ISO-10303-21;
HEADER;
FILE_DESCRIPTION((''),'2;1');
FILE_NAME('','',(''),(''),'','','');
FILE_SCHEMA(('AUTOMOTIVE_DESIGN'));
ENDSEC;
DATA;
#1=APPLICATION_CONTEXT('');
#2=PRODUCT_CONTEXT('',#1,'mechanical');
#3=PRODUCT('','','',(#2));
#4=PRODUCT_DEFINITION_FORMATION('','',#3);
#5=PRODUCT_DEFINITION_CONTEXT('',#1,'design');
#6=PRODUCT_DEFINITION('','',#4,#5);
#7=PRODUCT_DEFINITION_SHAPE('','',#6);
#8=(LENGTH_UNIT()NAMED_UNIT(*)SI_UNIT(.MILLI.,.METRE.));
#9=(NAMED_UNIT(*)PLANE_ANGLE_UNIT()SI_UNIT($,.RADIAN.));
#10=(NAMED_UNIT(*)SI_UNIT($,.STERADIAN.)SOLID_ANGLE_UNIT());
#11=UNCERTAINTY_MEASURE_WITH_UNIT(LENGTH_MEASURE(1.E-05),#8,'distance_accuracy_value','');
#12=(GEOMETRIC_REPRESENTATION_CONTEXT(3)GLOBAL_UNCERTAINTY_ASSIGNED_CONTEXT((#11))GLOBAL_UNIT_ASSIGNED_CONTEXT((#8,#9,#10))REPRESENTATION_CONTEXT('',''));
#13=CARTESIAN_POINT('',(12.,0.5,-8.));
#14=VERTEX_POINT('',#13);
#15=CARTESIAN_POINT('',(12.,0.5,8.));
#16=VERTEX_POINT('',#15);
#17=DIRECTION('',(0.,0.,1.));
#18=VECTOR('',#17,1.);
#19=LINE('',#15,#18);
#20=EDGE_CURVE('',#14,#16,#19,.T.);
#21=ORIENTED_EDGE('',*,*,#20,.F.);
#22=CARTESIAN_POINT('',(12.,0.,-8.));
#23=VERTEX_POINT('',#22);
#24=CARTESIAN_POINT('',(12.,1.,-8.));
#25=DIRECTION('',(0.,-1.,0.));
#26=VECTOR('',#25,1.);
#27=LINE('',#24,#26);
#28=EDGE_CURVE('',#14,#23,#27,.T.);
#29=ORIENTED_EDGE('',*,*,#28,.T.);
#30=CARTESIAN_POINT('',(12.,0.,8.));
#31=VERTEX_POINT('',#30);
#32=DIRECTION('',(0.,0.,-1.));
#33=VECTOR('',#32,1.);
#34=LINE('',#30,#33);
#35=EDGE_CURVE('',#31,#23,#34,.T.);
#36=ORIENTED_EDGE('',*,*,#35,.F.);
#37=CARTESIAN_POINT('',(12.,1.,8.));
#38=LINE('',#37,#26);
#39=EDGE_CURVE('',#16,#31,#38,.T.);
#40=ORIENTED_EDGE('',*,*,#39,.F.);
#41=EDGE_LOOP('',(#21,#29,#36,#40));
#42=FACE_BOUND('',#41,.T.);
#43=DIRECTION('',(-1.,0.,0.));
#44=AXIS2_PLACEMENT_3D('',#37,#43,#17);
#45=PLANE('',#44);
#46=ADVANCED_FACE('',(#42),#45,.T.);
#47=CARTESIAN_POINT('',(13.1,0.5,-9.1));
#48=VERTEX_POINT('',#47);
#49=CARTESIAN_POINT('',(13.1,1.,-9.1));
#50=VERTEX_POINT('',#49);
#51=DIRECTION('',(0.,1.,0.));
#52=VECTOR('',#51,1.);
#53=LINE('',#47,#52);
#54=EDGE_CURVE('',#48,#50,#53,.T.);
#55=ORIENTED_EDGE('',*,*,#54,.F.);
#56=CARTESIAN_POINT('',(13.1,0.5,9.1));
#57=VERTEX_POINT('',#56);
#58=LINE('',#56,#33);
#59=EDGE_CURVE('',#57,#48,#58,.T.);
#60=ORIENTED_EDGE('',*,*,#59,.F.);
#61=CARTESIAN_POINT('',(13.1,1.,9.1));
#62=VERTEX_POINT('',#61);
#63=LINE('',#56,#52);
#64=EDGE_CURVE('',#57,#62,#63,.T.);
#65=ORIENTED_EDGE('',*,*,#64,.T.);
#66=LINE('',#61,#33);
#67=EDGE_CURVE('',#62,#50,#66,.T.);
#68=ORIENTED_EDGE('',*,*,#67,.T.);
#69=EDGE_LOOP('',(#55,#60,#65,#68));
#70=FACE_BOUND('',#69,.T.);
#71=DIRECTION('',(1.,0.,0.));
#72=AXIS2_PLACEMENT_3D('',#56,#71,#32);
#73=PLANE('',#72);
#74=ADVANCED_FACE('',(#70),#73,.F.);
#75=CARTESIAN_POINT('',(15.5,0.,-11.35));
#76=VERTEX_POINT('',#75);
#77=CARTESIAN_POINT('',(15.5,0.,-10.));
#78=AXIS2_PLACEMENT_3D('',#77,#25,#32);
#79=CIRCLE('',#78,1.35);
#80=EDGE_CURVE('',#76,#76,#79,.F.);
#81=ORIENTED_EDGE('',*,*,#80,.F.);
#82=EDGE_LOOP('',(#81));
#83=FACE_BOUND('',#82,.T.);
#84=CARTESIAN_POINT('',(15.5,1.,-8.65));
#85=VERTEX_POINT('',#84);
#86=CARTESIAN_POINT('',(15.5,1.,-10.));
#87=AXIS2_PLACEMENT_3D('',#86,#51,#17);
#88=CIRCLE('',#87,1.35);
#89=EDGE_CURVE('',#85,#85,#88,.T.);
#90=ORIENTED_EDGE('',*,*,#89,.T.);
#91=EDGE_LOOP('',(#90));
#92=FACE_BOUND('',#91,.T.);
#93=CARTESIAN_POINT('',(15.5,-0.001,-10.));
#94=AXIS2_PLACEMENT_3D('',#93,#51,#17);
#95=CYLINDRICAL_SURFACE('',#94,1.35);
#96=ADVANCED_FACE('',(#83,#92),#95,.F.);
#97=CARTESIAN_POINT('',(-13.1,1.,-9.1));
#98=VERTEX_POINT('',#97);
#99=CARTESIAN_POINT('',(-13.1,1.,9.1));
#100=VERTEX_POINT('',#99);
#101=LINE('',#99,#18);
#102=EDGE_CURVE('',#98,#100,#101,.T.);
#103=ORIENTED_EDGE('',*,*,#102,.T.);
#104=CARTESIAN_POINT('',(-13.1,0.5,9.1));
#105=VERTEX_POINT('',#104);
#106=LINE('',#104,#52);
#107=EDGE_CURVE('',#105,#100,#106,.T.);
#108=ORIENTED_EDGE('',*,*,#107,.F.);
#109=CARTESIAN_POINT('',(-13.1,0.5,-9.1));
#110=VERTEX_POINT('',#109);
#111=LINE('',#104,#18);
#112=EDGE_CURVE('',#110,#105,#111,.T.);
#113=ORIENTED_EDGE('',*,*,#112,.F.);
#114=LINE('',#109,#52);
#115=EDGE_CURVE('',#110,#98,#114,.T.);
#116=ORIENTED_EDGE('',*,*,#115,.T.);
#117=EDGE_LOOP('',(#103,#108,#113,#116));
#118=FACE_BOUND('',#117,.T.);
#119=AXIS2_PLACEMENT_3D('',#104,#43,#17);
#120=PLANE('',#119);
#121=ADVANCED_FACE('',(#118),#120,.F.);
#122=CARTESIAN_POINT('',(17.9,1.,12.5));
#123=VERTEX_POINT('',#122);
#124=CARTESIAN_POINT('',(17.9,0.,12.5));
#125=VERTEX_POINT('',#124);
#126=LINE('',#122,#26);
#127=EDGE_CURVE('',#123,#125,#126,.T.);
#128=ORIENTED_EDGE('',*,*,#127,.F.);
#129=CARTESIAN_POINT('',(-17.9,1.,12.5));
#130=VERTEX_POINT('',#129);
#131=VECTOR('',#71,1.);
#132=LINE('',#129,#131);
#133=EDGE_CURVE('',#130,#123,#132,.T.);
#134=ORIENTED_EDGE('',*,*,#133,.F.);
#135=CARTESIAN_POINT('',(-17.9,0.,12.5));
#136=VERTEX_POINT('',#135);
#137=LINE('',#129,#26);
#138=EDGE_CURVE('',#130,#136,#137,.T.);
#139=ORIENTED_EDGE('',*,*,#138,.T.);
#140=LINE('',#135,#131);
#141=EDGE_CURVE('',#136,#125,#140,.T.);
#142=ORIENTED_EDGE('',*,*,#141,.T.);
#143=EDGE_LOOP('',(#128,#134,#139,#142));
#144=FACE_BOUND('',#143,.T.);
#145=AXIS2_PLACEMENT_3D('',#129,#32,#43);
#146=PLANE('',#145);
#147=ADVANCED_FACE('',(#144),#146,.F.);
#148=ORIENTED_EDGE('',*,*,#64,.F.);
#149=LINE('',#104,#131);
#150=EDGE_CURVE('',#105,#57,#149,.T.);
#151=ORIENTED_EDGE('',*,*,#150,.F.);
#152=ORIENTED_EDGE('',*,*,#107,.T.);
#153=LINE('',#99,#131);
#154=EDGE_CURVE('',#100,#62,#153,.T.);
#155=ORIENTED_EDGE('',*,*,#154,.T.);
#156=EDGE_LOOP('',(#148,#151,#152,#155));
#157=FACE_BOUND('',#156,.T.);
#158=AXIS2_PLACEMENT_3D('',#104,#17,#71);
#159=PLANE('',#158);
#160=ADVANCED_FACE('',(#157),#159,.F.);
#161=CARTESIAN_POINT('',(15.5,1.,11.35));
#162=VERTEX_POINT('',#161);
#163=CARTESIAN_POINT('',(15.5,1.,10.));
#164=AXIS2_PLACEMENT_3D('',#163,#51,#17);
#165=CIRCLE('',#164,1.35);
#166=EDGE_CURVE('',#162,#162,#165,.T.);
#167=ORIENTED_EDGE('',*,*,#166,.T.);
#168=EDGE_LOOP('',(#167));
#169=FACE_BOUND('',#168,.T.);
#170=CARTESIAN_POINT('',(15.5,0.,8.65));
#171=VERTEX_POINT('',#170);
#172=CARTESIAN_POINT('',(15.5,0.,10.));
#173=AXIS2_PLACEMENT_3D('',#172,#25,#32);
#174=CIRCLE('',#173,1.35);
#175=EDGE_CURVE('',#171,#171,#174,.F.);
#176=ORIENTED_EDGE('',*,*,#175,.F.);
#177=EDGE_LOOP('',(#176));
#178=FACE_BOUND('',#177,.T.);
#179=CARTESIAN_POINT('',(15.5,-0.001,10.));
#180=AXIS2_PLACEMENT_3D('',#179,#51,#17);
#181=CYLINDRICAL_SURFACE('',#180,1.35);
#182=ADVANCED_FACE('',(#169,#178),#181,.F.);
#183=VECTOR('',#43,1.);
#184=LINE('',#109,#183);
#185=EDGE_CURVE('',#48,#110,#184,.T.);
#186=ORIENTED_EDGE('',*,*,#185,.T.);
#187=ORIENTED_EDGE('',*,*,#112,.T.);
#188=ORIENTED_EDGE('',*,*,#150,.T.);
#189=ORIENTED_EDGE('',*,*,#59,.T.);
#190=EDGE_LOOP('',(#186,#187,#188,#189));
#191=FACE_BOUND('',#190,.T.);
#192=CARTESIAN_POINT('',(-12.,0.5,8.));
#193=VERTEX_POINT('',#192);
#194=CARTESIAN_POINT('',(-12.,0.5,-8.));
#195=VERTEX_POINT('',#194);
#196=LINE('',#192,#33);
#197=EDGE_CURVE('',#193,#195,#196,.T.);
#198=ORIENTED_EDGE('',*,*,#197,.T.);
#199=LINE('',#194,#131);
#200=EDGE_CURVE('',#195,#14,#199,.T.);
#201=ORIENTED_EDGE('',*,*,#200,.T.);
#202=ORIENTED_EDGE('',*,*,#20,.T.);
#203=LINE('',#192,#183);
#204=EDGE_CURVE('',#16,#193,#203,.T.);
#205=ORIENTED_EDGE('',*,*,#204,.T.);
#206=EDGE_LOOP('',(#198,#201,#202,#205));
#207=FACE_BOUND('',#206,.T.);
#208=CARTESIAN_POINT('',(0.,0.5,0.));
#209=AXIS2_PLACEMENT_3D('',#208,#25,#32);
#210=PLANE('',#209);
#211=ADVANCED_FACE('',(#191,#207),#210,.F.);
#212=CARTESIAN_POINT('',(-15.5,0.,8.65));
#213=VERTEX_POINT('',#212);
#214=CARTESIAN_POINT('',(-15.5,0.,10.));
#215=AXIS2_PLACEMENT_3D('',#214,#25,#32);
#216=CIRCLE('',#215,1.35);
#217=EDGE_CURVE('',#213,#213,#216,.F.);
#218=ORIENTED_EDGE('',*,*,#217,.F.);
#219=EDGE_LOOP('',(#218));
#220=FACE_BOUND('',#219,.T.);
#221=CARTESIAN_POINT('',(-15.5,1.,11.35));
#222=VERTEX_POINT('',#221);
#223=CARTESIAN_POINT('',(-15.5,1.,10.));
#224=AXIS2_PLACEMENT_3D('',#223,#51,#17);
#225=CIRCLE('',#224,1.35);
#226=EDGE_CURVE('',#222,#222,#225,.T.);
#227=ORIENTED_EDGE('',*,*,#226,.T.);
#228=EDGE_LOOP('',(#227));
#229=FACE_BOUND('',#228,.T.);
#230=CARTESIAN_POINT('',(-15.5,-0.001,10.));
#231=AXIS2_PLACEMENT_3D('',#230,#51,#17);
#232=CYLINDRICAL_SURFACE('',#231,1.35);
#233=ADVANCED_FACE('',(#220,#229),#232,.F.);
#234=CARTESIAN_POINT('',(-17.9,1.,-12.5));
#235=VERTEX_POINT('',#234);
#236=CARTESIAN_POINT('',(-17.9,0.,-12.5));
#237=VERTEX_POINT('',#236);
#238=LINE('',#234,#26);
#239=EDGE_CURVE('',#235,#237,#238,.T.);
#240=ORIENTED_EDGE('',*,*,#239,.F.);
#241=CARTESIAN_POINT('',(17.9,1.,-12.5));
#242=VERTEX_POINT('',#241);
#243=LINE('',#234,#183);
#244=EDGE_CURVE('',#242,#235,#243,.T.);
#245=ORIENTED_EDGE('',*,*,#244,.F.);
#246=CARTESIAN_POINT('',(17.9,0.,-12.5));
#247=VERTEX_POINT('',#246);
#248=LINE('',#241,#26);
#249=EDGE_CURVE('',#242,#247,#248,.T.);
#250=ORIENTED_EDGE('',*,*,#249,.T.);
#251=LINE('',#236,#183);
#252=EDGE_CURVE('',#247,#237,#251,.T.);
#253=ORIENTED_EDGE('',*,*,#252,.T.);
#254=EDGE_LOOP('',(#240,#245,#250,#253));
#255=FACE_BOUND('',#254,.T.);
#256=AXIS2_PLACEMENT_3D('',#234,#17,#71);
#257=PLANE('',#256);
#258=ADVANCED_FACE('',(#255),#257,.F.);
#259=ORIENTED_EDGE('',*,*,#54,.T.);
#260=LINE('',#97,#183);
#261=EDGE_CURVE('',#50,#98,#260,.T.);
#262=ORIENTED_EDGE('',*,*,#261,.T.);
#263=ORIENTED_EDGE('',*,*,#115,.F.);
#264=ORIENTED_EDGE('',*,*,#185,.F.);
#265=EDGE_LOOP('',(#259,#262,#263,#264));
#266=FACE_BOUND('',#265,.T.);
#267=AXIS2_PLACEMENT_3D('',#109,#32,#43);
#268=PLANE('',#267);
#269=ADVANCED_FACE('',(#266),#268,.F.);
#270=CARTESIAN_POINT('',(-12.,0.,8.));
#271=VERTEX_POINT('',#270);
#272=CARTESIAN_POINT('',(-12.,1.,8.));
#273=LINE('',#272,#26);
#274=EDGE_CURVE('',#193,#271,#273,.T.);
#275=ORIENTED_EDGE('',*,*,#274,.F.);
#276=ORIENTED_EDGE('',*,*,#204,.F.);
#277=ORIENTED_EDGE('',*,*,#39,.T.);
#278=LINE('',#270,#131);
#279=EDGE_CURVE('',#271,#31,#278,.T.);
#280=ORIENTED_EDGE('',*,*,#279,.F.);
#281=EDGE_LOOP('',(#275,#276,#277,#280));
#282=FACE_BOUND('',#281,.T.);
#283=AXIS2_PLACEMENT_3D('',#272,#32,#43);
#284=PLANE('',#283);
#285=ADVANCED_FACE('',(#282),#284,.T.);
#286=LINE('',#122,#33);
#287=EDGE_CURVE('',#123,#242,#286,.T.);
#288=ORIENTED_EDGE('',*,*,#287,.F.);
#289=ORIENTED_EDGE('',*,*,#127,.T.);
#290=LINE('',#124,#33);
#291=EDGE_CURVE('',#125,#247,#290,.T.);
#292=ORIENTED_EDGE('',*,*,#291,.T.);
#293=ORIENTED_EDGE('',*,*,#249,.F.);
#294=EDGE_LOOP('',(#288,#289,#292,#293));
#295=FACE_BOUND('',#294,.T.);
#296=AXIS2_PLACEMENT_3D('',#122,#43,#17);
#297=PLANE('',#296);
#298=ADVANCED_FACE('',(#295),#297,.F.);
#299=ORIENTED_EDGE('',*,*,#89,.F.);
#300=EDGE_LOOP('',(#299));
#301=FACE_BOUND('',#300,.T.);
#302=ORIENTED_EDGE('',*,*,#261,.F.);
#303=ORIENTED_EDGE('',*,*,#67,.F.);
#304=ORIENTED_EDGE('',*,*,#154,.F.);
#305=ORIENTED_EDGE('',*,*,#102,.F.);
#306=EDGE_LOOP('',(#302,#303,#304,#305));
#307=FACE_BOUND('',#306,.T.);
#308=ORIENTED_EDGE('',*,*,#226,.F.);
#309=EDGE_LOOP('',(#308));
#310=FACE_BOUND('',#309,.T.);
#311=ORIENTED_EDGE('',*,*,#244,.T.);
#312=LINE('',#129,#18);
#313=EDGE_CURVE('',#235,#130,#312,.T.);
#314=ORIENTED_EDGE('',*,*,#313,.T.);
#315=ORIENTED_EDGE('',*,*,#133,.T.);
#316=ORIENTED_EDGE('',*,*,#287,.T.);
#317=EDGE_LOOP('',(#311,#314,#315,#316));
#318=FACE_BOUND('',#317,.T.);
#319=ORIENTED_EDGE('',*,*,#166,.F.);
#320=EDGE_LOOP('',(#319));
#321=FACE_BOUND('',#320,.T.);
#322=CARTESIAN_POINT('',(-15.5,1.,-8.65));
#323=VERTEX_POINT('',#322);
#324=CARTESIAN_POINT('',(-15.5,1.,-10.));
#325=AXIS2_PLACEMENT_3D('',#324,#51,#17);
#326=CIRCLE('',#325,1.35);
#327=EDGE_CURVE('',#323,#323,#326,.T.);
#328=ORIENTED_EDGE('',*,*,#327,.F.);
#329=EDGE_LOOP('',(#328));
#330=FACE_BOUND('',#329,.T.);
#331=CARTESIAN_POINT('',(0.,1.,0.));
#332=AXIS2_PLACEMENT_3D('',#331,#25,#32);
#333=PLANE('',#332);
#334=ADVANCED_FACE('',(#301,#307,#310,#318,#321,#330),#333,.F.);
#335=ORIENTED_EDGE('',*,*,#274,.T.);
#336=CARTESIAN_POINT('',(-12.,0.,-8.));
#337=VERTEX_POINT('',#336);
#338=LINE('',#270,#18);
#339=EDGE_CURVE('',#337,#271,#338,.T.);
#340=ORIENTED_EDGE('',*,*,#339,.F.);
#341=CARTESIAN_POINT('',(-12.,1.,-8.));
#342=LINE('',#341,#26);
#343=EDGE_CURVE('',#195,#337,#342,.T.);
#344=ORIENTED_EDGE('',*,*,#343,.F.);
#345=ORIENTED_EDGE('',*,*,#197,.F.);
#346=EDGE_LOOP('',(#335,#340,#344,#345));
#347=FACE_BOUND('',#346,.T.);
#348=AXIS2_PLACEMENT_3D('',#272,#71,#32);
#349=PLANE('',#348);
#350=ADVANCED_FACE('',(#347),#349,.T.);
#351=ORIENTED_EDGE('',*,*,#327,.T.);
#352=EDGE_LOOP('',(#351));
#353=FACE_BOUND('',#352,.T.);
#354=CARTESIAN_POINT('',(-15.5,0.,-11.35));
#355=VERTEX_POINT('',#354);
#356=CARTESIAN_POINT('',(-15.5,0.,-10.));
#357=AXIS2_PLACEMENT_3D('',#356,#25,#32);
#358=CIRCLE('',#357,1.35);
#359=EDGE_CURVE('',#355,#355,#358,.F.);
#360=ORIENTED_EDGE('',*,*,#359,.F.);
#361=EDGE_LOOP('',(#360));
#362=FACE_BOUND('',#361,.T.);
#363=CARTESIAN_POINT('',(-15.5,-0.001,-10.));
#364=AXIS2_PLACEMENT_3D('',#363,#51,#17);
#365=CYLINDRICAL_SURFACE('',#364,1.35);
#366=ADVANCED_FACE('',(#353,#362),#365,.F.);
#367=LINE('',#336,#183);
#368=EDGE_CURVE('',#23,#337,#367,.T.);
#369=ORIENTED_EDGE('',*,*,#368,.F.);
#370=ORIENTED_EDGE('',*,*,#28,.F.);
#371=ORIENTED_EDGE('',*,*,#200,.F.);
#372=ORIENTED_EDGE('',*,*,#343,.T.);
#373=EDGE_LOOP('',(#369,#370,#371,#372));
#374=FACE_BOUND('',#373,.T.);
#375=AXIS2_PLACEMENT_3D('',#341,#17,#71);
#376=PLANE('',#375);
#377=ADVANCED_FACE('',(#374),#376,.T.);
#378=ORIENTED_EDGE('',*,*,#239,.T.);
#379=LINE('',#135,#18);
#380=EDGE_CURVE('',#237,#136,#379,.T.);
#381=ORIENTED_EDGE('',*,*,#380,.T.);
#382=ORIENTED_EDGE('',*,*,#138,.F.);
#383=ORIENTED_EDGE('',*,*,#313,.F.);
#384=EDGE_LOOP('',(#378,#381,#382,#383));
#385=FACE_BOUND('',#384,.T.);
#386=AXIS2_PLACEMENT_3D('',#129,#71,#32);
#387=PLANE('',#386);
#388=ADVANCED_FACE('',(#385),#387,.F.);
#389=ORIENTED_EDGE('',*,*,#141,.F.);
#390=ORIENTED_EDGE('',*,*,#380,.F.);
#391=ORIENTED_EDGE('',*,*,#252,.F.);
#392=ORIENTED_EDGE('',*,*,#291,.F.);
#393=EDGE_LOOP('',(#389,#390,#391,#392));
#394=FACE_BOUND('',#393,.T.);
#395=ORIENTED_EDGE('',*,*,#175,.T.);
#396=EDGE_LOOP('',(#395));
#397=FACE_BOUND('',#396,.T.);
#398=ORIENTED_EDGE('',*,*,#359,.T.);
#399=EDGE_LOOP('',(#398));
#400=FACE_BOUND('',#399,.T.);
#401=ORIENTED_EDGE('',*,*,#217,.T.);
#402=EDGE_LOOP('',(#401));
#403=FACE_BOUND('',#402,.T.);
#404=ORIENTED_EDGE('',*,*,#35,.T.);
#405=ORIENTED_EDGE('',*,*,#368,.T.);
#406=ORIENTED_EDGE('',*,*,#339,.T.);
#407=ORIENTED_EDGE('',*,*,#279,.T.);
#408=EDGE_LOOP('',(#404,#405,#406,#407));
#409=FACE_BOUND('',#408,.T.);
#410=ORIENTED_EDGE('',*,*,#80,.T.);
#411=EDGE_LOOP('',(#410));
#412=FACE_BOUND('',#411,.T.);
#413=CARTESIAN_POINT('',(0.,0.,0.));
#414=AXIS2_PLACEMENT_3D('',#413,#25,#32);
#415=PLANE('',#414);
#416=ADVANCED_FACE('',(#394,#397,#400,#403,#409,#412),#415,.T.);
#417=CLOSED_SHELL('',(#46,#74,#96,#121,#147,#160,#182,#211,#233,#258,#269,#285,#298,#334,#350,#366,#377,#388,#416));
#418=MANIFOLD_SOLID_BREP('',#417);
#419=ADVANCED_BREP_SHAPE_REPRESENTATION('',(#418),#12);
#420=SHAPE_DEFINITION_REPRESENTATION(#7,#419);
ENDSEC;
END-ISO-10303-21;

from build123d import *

# Parameters (mm, degrees)
SKETCH1_W           = 35.8
SKETCH1_H           = 25
SKETCH1_W_2         = 24
SKETCH1_H_2         = 16
BOSS_EXTRUDE1_DEPTH = 1
SKETCH2_W           = 26.2
SKETCH2_H           = 18.2
CUT_EXTRUDE1_DEPTH  = 0.5
CUT_EXTRUDE2_REACH  = 3
SKETCH3_R           = 1.35


with BuildPart() as part:
    # Sketch1 → Boss-Extrude1 (new body)
    with BuildSketch(Plane(origin=(0, 0, 0), x_dir=(1, 0, 0), z_dir=(0, 1, 0))):
        Rectangle(SKETCH1_W, SKETCH1_H)
        Rectangle(SKETCH1_W_2, SKETCH1_H_2, mode=Mode.SUBTRACT)
    extrude(amount=BOSS_EXTRUDE1_DEPTH)

    # Sketch2 → Cut-Extrude1 (cut)
    with BuildSketch(Plane(origin=(0, 1, 0), x_dir=(1, 0, 0), z_dir=(0, 1, 0))):
        Rectangle(SKETCH2_W, SKETCH2_H)
    extrude(amount=-CUT_EXTRUDE1_DEPTH, mode=Mode.SUBTRACT)

    # Sketch3 → Cut-Extrude2 (cut, up to next)
    with BuildSketch(Plane(origin=(0, 1, 0), x_dir=(1, 0, 0), z_dir=(0, 1, 0)), mode=Mode.PRIVATE) as cut_extrude2_sk1:
        with Locations((-15.5, 10)):
            Circle(SKETCH3_R)
    cut_extrude2_tool1 = extrude(cut_extrude2_sk1.sketch, amount=-CUT_EXTRUDE2_REACH, mode=Mode.PRIVATE) & part.part
    add(cut_extrude2_tool1.solids().sort_by_distance((-15.5, 1, -10))[0], mode=Mode.SUBTRACT)
    # Sketch3 → Cut-Extrude2 (cut, up to next)
    with BuildSketch(Plane(origin=(0, 1, 0), x_dir=(1, 0, 0), z_dir=(0, 1, 0)), mode=Mode.PRIVATE) as cut_extrude2_sk2:
        with Locations((-15.5, -10)):
            Circle(SKETCH3_R)
    cut_extrude2_tool2 = extrude(cut_extrude2_sk2.sketch, amount=-CUT_EXTRUDE2_REACH, mode=Mode.PRIVATE) & part.part
    add(cut_extrude2_tool2.solids().sort_by_distance((-15.5, 1, 10))[0], mode=Mode.SUBTRACT)
    # Sketch3 → Cut-Extrude2 (cut, up to next)
    with BuildSketch(Plane(origin=(0, 1, 0), x_dir=(1, 0, 0), z_dir=(0, 1, 0)), mode=Mode.PRIVATE) as cut_extrude2_sk3:
        with Locations((15.5, -10)):
            Circle(SKETCH3_R)
    cut_extrude2_tool3 = extrude(cut_extrude2_sk3.sketch, amount=-CUT_EXTRUDE2_REACH, mode=Mode.PRIVATE) & part.part
    add(cut_extrude2_tool3.solids().sort_by_distance((15.5, 1, 10))[0], mode=Mode.SUBTRACT)
    # Sketch3 → Cut-Extrude2 (cut, up to next)
    with BuildSketch(Plane(origin=(0, 1, 0), x_dir=(1, 0, 0), z_dir=(0, 1, 0)), mode=Mode.PRIVATE) as cut_extrude2_sk4:
        with Locations((15.5, 10)):
            Circle(SKETCH3_R)
    cut_extrude2_tool4 = extrude(cut_extrude2_sk4.sketch, amount=-CUT_EXTRUDE2_REACH, mode=Mode.PRIVATE) & part.part
    add(cut_extrude2_tool4.solids().sort_by_distance((15.5, 1, -10))[0], mode=Mode.SUBTRACT)


solid = part.part
